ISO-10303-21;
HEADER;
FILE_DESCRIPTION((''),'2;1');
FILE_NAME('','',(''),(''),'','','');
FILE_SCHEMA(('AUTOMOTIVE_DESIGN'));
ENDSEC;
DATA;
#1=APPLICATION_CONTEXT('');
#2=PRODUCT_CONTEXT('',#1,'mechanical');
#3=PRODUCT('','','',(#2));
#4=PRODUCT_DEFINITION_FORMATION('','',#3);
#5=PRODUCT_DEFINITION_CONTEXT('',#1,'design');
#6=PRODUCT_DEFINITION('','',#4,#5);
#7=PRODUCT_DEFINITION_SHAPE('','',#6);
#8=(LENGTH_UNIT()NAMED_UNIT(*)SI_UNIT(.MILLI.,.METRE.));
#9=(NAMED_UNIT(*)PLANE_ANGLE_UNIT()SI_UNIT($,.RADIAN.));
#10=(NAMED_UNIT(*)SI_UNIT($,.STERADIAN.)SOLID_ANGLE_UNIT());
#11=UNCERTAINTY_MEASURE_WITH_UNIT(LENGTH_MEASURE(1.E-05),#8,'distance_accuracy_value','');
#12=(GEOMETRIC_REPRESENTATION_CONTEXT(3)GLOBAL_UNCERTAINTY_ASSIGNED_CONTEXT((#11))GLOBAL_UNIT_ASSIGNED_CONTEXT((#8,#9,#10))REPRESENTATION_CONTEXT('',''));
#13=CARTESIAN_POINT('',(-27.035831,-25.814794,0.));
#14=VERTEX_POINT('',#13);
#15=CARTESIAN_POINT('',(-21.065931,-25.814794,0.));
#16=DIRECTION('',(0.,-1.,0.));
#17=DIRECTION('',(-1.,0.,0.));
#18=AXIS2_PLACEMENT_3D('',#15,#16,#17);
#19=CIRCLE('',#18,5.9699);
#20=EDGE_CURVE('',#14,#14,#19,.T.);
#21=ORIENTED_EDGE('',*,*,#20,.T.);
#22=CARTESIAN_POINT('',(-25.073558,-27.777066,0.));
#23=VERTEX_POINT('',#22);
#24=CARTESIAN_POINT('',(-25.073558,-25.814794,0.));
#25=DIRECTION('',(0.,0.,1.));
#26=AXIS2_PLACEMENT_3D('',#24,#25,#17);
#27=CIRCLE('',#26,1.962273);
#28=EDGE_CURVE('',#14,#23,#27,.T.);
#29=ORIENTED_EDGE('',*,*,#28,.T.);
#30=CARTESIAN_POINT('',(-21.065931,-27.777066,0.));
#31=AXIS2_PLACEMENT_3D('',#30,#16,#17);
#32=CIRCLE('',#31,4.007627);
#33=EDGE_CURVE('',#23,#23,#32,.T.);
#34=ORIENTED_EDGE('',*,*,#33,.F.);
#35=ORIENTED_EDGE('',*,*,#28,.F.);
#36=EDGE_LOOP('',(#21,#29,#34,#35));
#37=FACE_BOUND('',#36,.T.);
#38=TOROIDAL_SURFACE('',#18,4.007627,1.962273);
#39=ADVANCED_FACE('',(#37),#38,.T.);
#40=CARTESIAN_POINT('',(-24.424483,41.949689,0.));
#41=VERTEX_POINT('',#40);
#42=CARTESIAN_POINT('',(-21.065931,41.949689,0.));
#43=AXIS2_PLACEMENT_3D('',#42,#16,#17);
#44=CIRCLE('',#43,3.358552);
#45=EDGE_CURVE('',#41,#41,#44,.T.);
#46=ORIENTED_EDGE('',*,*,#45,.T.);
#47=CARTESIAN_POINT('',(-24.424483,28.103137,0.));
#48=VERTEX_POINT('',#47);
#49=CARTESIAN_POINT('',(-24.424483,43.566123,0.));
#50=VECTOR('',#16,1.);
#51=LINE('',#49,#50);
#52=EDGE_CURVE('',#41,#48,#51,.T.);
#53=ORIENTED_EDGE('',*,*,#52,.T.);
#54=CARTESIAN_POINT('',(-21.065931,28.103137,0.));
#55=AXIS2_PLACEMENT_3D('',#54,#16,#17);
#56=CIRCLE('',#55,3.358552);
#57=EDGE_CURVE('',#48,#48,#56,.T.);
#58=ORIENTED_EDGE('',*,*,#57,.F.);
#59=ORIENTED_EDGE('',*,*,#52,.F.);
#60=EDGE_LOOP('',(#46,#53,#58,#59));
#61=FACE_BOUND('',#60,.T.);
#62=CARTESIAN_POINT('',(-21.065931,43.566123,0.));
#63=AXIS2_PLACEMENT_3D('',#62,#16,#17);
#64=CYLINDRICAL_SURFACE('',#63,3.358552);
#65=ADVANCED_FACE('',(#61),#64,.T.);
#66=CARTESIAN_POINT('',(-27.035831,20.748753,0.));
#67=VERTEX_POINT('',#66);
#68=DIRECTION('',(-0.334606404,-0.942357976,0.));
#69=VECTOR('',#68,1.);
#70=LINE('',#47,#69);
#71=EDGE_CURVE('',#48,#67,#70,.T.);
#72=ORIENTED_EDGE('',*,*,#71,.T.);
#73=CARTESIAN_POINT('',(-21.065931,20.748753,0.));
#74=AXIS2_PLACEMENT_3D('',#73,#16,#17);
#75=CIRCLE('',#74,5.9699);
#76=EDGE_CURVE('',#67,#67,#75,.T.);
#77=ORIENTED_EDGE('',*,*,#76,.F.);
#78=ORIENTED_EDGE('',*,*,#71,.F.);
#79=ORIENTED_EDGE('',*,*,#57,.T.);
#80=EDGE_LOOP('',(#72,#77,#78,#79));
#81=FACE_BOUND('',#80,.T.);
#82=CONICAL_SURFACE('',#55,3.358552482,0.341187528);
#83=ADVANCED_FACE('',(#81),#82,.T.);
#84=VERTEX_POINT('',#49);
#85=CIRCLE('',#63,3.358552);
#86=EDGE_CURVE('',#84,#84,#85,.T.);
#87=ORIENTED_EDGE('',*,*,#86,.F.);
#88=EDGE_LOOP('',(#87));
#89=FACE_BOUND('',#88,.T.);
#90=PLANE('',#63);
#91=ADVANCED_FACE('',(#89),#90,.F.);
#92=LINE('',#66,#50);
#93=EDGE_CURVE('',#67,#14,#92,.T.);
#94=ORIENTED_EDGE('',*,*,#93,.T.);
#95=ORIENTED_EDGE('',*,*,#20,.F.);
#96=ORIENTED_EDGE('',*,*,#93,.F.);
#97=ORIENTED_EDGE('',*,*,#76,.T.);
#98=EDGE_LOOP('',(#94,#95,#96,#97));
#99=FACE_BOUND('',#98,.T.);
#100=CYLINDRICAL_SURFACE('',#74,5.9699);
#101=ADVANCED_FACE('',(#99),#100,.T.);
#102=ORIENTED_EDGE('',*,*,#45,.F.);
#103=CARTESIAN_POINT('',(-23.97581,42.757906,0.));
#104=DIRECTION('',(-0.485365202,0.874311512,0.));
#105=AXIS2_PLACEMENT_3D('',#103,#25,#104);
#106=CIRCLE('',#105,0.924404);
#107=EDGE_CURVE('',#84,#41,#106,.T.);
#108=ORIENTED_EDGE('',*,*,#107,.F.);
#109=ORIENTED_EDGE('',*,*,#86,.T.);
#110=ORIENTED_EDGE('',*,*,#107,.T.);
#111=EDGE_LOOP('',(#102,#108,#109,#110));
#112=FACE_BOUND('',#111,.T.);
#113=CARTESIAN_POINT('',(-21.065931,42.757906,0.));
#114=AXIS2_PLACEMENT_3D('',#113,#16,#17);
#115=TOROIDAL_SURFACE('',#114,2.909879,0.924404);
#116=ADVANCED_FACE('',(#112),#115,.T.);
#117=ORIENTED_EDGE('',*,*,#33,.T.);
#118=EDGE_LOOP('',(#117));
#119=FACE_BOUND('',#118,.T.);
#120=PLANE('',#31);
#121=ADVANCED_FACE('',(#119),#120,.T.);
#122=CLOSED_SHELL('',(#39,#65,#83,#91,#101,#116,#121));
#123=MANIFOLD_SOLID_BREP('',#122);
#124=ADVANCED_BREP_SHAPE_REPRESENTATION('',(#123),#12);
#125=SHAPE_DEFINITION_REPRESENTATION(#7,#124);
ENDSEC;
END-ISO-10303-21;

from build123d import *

# Parameters (mm, degrees)
F2_R = 1.9622727835


with BuildPart() as f1:
    # F0 (on Top) → F1 (revolve)
    with BuildSketch(Plane.XY):
        Polygon((-21.0659306824, -27.7770664543), (-21.0659306824, 15.4031372249), (-21.0659306824, 28.1031372249), (-24.4244831643, 28.1031372249), (-27.0358305424, 20.7487531006), (-27.0358305424, -27.7770664543), align=None)
        Polygon((-24.4244831643, 28.1031372249), (-21.0659306824, 28.1031372249), (-21.0659306824, 43.5661226511), (-24.4244831643, 43.5661226511), (-24.4244831643, 41.9496893883), align=None)
        with BuildLine():
            ThreePointArc((-24.4244831643, 43.5661226511), (-24.9002133782, 42.7579060197), (-24.4244831643, 41.9496893883))
            Line((-24.4244831643, 41.9496893883), (-24.4244831643, 43.5661226511))
        make_face()
    revolve(axis=Axis((-21.0659306824, -6.1869646147, 0), (0, -1, 0)))

    # F2
    f2_edges = [f1.edges().sort_by_distance(p)[0] for p in [
        (-15.096031, -27.777066, 0),
    ]]
    fillet(f2_edges, radius=F2_R)


solid = f1.part
